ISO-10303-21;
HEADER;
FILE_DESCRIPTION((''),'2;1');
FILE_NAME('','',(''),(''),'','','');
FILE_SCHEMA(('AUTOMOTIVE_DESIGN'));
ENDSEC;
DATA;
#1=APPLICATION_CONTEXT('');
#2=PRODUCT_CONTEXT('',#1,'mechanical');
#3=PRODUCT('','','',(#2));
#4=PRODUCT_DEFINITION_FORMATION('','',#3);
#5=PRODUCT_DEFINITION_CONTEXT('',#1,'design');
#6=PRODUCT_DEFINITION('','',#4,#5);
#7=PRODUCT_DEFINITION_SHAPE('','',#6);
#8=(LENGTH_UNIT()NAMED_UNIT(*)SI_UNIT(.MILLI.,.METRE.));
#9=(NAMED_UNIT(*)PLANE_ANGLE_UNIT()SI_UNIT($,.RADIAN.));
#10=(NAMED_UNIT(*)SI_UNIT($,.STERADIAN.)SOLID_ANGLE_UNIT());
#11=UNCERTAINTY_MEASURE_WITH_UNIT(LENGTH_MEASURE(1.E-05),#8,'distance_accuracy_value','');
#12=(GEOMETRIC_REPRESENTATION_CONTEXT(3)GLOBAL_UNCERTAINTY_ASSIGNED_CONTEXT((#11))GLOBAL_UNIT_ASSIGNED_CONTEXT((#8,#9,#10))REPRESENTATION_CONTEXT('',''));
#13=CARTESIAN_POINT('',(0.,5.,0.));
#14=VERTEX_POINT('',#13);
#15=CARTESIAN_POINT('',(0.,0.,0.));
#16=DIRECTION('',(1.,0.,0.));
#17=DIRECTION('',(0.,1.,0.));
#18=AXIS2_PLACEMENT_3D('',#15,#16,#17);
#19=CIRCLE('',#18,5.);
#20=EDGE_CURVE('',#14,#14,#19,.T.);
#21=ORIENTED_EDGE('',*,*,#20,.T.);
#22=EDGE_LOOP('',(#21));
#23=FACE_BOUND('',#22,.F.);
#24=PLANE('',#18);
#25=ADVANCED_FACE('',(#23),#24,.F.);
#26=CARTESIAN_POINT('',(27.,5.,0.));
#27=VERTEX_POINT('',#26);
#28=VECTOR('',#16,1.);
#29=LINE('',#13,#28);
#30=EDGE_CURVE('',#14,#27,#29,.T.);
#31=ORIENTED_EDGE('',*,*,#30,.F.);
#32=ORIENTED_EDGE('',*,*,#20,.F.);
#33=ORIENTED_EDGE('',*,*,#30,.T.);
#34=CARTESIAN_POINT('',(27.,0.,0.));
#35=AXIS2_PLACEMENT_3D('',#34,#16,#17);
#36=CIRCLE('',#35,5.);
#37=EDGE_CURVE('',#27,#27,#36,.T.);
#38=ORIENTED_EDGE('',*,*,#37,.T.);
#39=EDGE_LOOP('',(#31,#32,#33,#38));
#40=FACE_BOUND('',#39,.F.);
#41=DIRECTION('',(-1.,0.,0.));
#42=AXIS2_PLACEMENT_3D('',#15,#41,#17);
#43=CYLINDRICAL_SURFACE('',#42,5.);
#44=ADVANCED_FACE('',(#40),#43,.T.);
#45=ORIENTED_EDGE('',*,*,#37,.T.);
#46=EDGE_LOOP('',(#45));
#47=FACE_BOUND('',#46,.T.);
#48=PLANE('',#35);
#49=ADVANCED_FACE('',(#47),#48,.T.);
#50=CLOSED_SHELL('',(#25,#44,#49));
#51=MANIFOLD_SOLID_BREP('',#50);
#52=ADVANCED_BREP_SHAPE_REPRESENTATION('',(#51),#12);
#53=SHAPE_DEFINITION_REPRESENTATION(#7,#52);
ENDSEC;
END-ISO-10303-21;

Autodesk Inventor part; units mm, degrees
ref_plane "YZ Plane" through (0, 0, 0) normal (1, 0, 0) x (0, 1, 0)
ref_plane "XZ Plane" through (0, 0, 0) normal (0, 1, 0) x (-1, 0, 0)
ref_plane "XY Plane" through (0, 0, 0) normal (0, 0, 1) x (1, 0, 0)
sketch "スケッチ1" plane through (0, 0, 0) normal (1, 0, 0) x (0, 1, 0)
  circle A0 centre (0, 0) radius 5
  dimension "d0" = 10
extrude "押し出し1" add sketch "スケッチ1" along normal blind 27
properties part number "base_weel-v1-Shaft-spesa-1" material "アルミニウム 6061"
